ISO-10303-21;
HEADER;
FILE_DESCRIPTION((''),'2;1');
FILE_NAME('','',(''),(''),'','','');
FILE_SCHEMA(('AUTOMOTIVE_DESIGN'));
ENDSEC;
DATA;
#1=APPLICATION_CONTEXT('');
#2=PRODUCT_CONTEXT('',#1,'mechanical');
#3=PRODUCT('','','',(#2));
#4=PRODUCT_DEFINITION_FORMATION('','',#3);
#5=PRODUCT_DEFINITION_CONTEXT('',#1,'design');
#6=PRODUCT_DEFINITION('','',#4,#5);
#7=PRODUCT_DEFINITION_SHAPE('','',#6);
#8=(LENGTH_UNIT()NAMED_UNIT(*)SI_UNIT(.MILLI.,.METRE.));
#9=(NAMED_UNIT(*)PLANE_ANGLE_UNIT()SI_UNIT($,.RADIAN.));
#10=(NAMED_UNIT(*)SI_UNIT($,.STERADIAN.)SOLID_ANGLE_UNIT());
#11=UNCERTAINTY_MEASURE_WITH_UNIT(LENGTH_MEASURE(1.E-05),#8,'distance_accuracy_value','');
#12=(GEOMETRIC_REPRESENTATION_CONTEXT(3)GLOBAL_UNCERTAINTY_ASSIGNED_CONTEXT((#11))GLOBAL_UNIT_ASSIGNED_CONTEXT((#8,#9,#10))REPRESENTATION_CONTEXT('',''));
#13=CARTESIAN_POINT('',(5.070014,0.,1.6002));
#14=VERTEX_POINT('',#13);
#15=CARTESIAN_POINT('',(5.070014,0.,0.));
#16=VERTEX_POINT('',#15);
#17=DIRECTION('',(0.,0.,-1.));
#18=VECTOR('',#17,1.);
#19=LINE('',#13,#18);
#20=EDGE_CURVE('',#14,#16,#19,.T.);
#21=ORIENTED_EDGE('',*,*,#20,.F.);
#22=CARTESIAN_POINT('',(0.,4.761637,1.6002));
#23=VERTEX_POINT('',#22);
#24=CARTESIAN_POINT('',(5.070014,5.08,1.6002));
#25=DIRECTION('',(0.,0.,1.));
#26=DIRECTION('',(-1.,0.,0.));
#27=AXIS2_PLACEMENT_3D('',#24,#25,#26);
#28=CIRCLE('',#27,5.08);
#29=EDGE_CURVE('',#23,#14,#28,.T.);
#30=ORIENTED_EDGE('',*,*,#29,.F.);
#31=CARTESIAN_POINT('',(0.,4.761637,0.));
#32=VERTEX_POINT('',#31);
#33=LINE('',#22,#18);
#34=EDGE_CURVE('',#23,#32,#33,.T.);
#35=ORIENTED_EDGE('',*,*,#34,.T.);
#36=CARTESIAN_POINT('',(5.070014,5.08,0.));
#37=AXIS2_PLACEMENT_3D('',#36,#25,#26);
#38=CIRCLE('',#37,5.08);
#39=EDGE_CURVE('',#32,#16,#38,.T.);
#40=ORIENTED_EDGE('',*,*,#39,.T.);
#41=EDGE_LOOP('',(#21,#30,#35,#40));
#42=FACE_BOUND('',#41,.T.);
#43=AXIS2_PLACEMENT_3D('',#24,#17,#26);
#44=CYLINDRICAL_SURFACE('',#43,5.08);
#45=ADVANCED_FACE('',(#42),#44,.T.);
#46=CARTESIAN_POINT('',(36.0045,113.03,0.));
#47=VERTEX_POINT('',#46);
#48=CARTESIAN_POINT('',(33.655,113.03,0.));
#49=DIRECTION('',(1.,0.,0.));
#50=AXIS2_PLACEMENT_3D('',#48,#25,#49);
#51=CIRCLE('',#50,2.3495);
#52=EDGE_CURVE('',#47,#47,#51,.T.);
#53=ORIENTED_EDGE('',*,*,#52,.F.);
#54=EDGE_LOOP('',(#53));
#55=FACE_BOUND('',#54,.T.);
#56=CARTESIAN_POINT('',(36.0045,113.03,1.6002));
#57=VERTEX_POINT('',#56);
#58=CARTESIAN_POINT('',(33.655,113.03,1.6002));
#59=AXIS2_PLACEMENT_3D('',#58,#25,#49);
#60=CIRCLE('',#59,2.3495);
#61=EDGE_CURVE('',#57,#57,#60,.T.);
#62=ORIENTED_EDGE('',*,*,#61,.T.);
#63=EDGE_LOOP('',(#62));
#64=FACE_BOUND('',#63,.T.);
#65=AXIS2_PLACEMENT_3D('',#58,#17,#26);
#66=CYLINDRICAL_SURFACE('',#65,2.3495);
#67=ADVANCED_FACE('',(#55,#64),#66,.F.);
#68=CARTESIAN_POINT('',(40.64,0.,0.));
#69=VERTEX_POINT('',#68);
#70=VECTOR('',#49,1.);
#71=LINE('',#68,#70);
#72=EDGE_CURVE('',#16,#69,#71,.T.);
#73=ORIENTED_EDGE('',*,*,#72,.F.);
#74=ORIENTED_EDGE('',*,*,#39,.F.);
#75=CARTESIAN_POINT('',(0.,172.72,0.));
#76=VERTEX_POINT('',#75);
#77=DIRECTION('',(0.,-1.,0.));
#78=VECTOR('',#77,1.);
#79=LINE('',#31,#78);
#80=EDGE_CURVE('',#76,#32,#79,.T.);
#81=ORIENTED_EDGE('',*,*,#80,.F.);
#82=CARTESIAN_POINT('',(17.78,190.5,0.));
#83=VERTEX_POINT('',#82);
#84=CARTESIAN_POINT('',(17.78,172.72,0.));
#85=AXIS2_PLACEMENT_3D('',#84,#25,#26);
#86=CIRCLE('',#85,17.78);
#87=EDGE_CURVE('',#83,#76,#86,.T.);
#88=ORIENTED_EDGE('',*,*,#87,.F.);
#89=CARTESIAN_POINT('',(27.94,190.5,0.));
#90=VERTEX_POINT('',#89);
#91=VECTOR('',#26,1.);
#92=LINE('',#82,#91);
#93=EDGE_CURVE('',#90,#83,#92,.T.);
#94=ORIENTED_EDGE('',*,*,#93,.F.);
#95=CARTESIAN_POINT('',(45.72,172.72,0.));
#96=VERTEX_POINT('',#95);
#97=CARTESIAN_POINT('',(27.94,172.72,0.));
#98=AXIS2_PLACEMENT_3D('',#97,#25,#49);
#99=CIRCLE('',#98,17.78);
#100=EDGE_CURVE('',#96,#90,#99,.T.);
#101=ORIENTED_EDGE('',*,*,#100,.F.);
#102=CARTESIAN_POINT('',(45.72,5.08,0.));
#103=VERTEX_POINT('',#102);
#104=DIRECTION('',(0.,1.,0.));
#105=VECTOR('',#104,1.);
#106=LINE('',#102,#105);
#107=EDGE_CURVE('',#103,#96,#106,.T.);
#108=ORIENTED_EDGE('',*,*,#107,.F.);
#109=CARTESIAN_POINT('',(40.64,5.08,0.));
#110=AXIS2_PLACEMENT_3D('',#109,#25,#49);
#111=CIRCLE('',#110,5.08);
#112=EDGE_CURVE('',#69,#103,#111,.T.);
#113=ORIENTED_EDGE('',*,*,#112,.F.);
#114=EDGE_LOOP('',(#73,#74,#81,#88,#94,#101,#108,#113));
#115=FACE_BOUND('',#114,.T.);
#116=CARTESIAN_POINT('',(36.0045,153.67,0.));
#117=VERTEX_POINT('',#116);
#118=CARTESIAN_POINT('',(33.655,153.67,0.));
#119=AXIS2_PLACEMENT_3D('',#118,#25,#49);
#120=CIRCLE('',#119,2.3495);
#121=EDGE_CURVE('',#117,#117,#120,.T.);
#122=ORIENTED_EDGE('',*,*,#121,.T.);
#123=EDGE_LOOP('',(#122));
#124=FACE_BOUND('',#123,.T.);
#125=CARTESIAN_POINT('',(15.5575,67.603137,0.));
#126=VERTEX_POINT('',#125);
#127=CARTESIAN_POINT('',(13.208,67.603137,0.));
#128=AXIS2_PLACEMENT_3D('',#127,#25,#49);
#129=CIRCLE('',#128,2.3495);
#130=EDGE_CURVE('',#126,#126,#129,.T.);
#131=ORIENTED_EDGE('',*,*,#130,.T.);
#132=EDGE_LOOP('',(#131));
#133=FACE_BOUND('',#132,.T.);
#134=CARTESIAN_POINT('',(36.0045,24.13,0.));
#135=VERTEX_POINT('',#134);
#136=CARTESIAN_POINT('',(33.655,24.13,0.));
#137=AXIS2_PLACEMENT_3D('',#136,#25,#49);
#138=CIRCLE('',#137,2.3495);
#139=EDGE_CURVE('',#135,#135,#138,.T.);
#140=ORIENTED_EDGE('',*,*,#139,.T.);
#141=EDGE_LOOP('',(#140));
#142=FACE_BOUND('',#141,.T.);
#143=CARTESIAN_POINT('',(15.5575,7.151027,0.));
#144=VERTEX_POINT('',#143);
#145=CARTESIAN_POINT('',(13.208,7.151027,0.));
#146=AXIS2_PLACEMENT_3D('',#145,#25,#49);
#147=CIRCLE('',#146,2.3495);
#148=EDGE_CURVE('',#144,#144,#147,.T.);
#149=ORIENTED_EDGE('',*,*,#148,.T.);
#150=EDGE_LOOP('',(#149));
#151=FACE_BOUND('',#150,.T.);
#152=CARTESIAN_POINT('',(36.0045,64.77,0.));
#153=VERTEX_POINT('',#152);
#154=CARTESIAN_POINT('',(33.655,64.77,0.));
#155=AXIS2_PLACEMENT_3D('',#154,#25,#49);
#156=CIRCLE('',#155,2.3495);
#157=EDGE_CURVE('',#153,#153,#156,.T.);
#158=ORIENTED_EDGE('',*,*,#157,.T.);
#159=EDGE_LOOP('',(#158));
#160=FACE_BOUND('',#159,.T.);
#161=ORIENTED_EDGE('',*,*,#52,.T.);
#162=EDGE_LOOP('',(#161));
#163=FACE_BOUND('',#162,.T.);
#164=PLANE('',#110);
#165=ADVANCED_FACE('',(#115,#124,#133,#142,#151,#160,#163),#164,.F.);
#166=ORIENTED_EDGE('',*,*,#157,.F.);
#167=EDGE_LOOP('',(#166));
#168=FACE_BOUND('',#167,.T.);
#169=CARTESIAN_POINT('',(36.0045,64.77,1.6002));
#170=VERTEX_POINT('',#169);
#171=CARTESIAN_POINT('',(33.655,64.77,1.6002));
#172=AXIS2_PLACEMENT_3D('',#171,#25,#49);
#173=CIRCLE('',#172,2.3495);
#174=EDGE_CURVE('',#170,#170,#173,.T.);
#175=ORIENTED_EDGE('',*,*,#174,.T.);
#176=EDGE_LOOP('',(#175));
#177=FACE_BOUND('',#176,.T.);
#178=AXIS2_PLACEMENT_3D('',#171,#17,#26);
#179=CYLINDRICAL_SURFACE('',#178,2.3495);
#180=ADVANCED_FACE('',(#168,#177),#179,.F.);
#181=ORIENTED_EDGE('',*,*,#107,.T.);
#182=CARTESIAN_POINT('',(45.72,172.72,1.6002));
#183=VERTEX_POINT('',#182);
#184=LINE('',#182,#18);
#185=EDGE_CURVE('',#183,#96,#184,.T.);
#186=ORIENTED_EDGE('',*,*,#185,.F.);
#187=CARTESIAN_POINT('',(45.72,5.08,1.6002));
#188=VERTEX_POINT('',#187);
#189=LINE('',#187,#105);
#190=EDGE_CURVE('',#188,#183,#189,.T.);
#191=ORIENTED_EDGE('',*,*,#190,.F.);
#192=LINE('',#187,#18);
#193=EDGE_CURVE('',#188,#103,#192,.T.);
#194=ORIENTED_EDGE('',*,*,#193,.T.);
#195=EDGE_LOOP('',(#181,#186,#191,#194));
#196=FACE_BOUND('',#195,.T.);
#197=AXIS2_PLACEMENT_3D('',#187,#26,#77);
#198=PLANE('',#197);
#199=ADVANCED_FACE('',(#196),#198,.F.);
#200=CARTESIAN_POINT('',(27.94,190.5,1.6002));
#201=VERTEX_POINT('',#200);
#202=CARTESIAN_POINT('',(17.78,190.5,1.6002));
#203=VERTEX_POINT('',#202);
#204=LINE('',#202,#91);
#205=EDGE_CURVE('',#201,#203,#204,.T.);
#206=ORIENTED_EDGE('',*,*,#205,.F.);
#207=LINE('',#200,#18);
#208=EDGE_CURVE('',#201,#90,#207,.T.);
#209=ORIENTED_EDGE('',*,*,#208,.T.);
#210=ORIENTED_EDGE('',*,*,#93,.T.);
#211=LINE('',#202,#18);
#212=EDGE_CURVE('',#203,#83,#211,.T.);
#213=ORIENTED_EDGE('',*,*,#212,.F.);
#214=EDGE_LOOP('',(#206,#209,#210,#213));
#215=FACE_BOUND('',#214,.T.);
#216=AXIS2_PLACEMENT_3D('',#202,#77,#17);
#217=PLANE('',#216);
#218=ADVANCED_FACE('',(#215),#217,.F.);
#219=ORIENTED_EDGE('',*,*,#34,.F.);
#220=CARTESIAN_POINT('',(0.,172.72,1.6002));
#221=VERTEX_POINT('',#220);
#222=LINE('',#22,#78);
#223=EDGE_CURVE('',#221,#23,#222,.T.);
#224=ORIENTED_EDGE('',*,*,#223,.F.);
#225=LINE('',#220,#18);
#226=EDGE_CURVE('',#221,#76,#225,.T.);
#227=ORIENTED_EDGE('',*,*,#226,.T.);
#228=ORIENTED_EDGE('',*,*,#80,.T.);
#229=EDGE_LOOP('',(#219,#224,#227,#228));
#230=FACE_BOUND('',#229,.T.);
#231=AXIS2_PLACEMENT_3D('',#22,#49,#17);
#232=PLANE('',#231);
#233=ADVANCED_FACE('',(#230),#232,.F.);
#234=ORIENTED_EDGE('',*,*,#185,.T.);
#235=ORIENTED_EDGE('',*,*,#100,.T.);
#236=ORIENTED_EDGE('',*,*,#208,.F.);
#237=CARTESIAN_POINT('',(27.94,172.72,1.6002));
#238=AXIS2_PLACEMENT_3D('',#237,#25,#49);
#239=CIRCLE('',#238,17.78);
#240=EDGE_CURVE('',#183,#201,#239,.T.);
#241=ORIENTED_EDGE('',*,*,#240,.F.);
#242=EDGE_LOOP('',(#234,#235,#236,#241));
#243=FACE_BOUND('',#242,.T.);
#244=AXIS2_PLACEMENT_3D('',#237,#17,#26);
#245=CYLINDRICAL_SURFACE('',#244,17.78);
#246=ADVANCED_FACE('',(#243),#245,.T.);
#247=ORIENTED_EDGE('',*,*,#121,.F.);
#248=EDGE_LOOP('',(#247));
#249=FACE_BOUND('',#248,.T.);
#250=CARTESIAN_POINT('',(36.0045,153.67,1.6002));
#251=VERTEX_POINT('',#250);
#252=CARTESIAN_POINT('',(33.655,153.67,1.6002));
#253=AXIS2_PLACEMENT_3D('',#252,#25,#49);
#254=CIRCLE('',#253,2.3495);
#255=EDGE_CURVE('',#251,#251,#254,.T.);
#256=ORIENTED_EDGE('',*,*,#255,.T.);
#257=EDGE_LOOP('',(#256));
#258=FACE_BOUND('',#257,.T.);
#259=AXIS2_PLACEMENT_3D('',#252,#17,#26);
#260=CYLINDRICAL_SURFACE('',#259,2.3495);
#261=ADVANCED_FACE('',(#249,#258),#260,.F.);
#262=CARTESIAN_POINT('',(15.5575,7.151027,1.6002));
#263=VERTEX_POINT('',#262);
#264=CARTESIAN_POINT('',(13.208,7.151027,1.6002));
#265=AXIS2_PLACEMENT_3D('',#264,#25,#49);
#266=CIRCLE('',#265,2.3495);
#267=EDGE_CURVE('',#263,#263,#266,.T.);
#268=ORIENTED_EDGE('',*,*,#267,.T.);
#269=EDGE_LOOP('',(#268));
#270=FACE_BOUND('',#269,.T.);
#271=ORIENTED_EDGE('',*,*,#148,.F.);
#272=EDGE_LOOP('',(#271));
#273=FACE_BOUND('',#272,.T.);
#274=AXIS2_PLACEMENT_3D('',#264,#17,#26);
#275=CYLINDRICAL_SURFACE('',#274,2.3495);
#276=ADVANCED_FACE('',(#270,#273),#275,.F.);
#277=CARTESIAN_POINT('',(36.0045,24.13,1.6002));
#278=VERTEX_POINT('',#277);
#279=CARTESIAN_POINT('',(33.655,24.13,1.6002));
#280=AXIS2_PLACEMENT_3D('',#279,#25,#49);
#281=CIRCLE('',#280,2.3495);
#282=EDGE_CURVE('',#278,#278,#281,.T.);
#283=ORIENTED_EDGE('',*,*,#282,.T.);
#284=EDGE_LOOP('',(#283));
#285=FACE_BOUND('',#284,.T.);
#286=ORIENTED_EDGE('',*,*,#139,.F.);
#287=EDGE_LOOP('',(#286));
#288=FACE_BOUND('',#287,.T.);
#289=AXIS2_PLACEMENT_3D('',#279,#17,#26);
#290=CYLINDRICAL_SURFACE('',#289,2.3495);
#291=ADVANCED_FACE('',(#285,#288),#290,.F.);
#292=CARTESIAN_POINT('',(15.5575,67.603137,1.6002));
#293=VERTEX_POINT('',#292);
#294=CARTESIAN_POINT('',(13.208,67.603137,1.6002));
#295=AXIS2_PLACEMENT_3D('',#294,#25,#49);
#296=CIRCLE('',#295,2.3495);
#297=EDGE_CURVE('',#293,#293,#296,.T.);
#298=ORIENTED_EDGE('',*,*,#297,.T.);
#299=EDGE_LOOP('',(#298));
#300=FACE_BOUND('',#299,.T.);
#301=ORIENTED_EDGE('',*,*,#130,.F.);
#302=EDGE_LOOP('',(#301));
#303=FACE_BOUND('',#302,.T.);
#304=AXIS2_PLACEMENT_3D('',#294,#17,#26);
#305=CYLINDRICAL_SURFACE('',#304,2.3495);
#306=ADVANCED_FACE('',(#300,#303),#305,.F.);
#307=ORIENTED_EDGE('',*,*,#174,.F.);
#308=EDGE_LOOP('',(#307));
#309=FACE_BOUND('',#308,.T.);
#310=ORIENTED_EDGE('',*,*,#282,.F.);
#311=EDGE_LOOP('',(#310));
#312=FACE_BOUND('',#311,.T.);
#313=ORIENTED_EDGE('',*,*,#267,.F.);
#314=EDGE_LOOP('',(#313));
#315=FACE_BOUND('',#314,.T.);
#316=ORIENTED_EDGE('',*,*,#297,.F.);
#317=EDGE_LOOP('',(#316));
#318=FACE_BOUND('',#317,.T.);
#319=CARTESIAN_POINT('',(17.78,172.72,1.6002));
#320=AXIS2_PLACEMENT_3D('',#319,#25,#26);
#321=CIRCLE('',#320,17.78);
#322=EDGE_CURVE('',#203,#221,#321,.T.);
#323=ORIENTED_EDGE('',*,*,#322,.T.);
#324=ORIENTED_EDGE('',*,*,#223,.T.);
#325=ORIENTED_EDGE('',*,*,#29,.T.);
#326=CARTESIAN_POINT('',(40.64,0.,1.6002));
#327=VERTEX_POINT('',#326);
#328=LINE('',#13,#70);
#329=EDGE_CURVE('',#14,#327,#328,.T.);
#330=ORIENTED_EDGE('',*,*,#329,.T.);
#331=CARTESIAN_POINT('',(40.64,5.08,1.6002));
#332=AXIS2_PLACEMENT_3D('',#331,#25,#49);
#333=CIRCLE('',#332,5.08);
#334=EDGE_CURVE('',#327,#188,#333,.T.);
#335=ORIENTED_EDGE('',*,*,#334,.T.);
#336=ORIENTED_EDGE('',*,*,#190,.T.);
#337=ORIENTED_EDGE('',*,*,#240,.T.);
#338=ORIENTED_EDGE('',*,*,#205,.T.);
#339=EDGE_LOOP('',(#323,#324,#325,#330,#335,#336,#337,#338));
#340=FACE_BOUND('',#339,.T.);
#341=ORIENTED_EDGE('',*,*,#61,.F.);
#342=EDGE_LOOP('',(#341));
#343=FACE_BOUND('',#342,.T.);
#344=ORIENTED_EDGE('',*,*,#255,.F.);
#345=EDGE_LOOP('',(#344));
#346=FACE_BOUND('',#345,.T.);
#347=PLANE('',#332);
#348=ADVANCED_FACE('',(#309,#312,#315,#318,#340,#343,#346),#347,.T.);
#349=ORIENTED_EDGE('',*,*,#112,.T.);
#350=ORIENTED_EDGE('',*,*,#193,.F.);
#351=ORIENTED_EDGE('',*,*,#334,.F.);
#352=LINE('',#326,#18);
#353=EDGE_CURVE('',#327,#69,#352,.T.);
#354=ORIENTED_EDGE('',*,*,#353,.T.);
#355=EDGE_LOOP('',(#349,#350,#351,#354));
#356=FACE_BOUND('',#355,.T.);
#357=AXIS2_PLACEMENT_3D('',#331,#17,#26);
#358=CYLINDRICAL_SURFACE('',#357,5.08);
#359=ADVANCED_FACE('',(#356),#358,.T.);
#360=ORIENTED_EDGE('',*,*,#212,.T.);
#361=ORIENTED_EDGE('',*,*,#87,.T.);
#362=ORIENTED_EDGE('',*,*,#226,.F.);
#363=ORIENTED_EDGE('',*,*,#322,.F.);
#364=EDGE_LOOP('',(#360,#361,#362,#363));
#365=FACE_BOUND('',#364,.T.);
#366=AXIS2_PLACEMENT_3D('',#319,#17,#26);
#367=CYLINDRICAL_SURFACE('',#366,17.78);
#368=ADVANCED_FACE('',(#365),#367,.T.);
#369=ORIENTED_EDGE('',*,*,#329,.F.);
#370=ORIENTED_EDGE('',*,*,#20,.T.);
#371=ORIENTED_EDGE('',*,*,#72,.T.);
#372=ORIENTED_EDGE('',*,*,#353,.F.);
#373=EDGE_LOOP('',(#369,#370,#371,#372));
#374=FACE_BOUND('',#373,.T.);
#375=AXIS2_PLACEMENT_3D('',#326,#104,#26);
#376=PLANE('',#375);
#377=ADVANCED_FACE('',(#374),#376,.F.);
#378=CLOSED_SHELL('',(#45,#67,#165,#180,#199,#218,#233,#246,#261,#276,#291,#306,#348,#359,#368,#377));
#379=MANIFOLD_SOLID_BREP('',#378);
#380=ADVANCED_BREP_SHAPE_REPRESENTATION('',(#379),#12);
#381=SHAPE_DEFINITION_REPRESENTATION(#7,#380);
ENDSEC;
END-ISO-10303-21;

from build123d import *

# Parameters (mm, degrees)
SKETCH1_R           = 2.3495
BOSS_EXTRUDE2_DEPTH = 1.6002


with BuildPart() as part:
    # Sketch1 → Boss-Extrude2 (new body)
    with BuildSketch(Plane.XY):
        with BuildLine():
            Line((45.72, 5.08), (45.72, 172.72))
            ThreePointArc((45.72, 172.72), (40.512358569, 185.292358569), (27.94, 190.5))
            Line((27.94, 190.5), (17.78, 190.5))
            ThreePointArc((17.78, 190.5), (5.207641431, 185.292358569), (0, 172.72))
            Line((0, 172.72), (0, 4.761637225))
            ThreePointArc((0, 4.761637225), (1.592291129, 1.377049629), (5.070014314, 0))
            Line((5.070014314, 0), (33.655, 0))
            Line((33.655, 0), (40.64, 0))
            ThreePointArc((40.64, 0), (44.232102448, 1.487897552), (45.72, 5.08))
        make_face()
        with Locations((33.655, 24.13)):
            Circle(SKETCH1_R, mode=Mode.SUBTRACT)
        with Locations((33.655, 64.77)):
            Circle(SKETCH1_R, mode=Mode.SUBTRACT)
        with Locations((33.655, 113.03)):
            Circle(SKETCH1_R, mode=Mode.SUBTRACT)
        with Locations((33.655, 153.67)):
            Circle(SKETCH1_R, mode=Mode.SUBTRACT)
        with Locations((13.208, 7.15102725)):
            Circle(SKETCH1_R, mode=Mode.SUBTRACT)
        with Locations((13.208, 67.603137295)):
            Circle(SKETCH1_R, mode=Mode.SUBTRACT)
    extrude(amount=BOSS_EXTRUDE2_DEPTH)


solid = part.part
